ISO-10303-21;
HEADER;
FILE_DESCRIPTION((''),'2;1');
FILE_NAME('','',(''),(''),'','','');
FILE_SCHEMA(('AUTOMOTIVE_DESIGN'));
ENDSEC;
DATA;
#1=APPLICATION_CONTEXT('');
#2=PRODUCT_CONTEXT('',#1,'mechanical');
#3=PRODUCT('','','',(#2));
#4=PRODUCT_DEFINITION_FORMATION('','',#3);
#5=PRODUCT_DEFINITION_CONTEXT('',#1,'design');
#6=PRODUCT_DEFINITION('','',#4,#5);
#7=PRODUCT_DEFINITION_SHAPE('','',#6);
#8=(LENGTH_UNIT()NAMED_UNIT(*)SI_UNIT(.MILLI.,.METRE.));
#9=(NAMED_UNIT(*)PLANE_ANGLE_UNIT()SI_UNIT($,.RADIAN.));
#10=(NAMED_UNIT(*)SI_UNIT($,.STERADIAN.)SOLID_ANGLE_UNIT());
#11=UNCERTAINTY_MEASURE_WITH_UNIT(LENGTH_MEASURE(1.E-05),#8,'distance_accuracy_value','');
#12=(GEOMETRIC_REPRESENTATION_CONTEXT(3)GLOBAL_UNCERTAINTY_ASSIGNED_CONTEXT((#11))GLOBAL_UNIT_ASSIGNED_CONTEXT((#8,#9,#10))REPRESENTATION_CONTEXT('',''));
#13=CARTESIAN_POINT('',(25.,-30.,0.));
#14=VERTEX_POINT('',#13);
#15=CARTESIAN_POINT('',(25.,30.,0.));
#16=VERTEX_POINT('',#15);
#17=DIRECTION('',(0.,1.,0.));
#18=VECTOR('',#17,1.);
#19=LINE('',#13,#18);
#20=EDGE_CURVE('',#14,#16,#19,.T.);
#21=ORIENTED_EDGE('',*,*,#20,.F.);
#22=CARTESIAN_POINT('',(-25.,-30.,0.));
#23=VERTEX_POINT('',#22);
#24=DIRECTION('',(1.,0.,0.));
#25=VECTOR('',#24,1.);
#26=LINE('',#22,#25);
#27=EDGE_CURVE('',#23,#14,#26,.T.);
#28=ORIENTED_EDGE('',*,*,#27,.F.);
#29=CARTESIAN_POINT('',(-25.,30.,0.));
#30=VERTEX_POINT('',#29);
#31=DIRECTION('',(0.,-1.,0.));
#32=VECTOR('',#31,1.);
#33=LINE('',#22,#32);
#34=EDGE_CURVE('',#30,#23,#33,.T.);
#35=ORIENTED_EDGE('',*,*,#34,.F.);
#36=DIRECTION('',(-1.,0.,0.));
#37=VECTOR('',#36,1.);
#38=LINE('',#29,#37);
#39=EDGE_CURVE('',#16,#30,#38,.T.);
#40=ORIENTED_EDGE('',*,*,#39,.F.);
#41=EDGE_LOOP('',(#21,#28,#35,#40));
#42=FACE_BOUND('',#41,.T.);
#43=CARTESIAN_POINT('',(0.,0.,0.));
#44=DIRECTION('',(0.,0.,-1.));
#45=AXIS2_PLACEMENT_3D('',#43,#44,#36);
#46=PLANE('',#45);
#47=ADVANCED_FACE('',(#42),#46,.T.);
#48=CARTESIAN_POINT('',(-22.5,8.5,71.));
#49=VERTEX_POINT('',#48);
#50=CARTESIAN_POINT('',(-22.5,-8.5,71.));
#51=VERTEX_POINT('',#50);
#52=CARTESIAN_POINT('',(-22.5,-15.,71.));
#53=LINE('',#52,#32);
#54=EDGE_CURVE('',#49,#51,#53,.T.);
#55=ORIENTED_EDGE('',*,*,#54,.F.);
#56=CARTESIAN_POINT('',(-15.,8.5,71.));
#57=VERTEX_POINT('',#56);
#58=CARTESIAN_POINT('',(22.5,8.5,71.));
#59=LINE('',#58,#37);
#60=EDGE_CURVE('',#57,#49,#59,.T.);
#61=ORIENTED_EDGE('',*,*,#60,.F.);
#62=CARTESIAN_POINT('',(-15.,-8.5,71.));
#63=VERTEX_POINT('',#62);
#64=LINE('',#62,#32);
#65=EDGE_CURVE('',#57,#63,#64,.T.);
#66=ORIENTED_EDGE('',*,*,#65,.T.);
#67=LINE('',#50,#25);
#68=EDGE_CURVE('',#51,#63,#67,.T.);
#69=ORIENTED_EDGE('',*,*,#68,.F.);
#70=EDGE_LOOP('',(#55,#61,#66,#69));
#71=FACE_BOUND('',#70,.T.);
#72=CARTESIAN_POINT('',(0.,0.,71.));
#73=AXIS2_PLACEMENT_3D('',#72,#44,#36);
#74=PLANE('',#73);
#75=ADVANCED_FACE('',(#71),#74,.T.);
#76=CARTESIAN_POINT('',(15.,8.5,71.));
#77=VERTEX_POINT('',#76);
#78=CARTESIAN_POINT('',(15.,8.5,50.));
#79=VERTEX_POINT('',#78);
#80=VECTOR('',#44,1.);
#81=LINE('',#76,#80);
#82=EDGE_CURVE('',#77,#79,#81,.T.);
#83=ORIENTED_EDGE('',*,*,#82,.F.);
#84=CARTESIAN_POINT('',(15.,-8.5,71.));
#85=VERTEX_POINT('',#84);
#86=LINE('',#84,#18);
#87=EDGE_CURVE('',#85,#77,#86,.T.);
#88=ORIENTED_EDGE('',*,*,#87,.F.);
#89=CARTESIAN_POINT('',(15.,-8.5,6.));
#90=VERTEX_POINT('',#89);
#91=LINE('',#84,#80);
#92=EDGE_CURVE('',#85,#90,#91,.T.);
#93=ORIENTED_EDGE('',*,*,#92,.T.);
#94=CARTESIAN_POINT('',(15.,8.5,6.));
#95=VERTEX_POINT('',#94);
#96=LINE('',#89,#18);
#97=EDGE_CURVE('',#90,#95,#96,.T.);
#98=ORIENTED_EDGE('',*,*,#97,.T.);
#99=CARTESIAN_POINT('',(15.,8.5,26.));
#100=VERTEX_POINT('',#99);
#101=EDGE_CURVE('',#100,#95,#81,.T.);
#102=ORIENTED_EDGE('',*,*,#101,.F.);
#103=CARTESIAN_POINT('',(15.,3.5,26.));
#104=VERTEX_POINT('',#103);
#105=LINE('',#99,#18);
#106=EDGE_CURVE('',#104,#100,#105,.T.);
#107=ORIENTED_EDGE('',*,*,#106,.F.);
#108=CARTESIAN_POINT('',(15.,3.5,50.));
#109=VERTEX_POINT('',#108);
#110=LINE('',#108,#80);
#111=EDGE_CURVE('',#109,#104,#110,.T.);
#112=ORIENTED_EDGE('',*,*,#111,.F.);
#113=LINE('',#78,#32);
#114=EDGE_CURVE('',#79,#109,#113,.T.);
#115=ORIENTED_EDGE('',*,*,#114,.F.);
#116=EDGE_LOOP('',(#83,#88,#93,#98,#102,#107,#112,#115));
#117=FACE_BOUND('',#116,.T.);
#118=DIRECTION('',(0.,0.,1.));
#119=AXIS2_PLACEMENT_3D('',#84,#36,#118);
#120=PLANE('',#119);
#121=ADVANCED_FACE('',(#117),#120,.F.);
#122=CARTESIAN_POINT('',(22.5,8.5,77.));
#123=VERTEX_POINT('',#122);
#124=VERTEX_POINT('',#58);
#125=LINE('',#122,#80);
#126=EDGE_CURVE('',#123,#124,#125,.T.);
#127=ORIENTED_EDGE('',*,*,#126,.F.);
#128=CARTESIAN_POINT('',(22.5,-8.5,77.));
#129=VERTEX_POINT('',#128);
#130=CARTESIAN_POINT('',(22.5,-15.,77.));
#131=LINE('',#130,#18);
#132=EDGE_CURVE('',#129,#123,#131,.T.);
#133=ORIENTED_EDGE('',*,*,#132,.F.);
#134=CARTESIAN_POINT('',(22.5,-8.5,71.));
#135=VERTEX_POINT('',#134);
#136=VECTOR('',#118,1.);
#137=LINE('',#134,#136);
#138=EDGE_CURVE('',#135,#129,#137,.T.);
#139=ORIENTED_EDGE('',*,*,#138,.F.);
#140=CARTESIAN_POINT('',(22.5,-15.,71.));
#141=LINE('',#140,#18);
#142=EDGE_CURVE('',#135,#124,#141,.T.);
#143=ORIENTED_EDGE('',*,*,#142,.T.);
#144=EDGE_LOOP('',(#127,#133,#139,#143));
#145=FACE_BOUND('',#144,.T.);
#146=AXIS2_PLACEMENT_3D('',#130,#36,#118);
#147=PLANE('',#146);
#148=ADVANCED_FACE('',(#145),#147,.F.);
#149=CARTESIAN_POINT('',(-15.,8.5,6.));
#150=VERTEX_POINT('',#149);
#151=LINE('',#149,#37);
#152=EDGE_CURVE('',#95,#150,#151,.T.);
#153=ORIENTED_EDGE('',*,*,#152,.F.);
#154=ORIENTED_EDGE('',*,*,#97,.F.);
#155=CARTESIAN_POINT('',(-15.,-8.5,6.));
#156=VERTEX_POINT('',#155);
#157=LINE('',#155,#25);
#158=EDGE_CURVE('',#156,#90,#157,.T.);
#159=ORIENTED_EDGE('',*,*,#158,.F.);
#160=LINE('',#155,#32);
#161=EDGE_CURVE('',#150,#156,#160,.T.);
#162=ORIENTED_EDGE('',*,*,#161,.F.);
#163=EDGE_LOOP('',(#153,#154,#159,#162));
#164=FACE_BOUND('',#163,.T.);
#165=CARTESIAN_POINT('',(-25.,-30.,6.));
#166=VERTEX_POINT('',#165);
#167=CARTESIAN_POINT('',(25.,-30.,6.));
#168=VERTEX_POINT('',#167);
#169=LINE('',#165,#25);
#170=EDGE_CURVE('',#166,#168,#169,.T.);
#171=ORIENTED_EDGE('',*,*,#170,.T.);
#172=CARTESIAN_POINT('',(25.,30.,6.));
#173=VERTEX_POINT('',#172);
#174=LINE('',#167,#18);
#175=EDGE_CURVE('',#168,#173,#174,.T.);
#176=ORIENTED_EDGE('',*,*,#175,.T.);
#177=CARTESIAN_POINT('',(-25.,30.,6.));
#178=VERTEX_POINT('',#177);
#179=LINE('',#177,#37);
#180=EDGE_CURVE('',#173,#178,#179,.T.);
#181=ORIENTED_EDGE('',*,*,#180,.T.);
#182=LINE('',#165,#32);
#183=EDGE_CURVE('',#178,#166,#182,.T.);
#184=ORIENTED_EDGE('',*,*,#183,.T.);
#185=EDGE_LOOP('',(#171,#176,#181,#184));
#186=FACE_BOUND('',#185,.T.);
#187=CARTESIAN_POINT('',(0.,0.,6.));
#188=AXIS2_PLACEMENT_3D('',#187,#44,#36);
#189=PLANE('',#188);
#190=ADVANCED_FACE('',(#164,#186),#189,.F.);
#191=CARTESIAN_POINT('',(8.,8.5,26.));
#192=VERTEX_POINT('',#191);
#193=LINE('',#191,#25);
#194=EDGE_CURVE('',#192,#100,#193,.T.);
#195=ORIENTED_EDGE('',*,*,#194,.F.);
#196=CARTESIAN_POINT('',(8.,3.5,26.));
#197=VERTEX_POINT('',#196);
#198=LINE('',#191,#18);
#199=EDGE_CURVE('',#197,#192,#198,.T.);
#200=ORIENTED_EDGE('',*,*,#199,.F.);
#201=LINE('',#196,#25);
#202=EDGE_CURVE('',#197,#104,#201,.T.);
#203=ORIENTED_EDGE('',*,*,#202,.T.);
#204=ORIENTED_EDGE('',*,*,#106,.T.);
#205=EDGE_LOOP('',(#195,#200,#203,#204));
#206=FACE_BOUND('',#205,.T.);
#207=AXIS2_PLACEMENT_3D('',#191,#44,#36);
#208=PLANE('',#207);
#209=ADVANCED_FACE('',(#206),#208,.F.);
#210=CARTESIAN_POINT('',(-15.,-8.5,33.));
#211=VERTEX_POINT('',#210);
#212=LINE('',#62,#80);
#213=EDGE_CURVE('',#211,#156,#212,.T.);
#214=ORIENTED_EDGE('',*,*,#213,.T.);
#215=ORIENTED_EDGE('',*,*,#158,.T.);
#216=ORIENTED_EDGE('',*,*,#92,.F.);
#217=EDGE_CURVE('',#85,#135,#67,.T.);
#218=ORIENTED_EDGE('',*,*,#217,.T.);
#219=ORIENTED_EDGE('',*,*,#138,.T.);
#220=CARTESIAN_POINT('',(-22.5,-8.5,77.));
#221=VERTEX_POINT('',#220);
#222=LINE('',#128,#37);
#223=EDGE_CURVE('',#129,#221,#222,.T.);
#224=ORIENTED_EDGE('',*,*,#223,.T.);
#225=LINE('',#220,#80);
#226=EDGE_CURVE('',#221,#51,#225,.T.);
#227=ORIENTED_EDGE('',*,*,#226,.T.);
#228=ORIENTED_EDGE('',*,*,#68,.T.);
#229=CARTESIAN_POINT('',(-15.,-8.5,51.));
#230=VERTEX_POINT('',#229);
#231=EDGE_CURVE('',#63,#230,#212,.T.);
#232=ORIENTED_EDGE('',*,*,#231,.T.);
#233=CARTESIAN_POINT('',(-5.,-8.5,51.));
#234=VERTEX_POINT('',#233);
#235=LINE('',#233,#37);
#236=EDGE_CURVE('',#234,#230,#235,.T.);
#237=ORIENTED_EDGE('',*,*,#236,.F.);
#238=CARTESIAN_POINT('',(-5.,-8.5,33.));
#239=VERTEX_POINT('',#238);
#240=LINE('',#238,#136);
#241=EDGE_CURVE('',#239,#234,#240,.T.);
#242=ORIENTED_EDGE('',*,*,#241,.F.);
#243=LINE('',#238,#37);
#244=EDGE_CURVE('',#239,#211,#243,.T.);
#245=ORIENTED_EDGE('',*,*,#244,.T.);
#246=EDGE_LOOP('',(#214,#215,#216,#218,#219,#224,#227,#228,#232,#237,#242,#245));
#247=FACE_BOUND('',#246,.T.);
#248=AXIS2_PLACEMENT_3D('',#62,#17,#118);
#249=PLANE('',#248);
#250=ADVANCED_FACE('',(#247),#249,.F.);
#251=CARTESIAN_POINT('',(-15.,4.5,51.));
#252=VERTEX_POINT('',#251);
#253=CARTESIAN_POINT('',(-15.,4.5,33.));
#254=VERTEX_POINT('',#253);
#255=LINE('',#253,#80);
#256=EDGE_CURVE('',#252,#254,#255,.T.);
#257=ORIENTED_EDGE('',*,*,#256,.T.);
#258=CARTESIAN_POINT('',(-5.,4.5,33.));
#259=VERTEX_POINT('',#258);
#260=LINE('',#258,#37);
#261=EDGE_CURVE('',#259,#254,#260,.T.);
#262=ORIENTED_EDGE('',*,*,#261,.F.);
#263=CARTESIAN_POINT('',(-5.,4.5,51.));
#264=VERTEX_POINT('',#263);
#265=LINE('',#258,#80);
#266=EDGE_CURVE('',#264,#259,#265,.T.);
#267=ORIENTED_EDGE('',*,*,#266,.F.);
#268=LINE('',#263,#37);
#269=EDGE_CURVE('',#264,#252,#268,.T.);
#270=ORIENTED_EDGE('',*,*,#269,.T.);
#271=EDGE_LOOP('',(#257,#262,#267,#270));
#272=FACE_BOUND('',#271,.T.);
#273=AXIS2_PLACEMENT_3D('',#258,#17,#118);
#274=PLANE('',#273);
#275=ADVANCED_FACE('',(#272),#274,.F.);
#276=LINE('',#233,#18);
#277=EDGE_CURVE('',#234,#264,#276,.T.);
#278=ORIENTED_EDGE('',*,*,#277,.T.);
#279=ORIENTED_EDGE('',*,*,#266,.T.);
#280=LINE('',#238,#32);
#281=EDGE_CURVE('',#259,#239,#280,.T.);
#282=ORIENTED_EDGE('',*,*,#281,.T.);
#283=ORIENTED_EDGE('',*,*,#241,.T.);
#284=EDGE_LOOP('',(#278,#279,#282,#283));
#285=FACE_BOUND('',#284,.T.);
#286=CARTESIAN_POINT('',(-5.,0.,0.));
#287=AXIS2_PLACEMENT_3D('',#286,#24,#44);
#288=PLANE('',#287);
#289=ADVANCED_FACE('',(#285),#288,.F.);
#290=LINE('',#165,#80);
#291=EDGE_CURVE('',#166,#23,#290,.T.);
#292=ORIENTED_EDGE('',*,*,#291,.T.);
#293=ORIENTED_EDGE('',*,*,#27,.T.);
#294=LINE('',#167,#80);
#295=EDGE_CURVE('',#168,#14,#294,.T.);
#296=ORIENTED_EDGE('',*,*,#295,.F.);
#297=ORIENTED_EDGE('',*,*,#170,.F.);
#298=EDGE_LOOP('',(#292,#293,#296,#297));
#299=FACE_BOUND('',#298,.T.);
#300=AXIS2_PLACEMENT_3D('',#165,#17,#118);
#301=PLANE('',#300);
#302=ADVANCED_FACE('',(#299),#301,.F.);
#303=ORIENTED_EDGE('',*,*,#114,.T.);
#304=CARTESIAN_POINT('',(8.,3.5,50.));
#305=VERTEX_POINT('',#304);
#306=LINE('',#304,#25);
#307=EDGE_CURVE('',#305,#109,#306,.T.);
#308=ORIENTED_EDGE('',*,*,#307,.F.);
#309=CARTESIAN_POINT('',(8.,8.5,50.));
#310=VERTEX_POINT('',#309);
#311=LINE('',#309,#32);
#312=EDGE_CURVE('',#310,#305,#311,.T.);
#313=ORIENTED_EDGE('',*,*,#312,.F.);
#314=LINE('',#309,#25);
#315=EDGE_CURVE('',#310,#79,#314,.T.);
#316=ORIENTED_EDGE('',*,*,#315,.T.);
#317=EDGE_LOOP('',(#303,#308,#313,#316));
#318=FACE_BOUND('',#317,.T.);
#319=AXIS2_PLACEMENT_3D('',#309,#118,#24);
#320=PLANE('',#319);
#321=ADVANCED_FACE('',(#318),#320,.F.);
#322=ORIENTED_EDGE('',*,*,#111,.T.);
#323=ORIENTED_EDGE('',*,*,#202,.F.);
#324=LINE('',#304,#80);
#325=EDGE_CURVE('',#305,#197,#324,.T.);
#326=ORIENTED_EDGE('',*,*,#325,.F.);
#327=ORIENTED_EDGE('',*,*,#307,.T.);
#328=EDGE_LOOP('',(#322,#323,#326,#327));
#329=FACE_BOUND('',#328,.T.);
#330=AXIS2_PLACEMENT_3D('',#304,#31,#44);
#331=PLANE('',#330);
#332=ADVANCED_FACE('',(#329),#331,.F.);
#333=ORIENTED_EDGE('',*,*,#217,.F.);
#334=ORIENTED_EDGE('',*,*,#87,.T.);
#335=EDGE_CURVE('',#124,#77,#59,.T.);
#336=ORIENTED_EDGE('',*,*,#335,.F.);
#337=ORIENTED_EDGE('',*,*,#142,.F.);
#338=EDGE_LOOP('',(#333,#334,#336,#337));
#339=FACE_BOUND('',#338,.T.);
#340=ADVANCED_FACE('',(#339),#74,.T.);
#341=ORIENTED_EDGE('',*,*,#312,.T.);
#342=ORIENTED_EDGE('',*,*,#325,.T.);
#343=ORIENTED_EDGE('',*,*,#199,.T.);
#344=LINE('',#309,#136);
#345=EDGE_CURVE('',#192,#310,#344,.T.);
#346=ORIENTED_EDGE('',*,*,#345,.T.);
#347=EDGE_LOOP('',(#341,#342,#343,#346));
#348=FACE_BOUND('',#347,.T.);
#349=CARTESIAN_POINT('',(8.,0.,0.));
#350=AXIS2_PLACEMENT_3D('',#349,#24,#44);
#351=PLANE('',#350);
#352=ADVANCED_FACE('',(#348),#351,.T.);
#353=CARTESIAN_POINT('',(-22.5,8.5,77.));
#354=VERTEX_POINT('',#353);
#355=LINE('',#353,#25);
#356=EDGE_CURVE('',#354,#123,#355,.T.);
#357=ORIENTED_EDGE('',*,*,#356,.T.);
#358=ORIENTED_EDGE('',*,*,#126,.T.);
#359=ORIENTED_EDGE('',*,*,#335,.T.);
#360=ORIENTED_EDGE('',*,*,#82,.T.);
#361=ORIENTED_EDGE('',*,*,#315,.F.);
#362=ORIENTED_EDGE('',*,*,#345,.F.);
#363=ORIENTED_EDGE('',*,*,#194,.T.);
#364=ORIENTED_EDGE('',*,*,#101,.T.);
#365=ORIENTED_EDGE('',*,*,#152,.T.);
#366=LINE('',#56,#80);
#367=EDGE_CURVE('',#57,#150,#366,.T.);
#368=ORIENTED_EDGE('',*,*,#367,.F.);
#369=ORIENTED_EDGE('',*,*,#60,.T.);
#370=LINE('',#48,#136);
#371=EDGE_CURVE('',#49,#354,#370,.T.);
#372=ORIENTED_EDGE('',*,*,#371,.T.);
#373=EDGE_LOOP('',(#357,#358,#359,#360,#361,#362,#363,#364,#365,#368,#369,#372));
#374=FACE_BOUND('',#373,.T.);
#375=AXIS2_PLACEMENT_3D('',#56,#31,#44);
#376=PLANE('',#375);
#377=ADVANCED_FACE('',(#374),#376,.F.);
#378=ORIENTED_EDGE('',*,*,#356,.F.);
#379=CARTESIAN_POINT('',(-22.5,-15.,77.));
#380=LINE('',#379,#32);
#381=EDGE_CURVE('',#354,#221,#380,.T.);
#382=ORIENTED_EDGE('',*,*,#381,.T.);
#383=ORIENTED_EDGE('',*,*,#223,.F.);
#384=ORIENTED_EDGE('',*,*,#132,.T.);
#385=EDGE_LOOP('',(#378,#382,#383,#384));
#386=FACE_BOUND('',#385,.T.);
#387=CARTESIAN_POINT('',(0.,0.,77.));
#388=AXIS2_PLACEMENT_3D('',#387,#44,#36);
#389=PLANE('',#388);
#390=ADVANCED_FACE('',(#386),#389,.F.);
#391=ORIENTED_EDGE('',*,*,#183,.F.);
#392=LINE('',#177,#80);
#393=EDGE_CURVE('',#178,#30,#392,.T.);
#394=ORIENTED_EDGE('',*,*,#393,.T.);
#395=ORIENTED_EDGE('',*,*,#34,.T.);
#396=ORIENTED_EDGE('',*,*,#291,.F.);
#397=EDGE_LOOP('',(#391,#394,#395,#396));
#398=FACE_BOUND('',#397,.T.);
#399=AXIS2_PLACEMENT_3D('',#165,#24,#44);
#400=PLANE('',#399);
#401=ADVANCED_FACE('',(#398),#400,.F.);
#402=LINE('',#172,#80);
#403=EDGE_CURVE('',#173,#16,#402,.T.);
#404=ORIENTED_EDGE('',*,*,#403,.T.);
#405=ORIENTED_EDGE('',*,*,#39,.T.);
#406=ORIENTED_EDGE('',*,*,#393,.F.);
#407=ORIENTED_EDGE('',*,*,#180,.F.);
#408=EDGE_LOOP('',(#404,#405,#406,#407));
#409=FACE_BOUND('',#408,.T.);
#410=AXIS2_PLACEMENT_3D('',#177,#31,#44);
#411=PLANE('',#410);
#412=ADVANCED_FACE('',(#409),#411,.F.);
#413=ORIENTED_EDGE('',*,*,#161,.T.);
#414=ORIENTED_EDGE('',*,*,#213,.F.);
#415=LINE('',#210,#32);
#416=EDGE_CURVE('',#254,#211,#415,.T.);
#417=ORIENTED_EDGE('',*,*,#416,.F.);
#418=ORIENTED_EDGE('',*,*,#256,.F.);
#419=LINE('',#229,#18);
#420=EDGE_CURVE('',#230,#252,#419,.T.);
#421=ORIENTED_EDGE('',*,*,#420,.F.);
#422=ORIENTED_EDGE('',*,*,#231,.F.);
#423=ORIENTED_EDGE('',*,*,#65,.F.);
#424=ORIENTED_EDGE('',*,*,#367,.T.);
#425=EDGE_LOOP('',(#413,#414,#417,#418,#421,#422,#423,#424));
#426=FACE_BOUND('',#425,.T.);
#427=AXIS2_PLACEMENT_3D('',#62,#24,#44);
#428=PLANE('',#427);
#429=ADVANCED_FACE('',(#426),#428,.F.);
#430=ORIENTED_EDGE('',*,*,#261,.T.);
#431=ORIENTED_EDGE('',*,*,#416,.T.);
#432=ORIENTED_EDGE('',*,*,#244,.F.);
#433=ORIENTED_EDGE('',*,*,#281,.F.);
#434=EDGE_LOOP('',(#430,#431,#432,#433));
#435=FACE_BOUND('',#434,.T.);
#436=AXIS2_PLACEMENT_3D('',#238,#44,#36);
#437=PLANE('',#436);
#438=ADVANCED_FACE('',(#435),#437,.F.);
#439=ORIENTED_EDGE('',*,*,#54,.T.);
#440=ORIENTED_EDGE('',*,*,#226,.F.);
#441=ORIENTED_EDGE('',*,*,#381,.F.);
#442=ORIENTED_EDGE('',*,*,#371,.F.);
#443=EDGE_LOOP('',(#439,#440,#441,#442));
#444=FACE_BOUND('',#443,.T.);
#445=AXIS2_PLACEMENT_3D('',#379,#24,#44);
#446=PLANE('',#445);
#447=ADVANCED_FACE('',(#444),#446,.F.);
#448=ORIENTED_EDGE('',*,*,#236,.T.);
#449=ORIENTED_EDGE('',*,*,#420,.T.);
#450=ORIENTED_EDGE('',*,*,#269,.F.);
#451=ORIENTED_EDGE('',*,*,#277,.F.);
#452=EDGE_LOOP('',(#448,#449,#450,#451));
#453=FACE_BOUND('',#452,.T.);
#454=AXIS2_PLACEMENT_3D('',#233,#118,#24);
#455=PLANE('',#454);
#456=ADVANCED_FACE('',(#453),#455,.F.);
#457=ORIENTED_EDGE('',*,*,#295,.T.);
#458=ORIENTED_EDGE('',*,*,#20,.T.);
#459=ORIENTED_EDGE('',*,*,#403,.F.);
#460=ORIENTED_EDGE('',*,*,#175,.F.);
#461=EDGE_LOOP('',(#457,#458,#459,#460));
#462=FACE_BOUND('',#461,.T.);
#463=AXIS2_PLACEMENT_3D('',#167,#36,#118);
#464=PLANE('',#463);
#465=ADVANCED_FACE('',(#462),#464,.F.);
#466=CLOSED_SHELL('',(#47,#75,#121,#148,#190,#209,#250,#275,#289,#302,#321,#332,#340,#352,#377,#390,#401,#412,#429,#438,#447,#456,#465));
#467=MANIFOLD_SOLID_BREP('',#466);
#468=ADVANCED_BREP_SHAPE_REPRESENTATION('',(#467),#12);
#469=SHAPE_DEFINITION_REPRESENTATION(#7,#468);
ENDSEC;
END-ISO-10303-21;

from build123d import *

# Parameters (mm, degrees)
SKETCH_1_W          = 50
SKETCH_1_H          = 60
EXTRUDE_1_DEPTH     = 6
SKETCH_2_W          = 30
SKETCH_2_H          = 17
EXTRUDE_2_DEPTH     = 65
SKETCH_3_W          = 45
SKETCH_3_H          = 30
EXTRUDE_3_DEPTH     = 6
SKETCH_4_W          = 18
SKETCH_4_H          = 13
CUT_EXTRUDE_1_DEPTH = 10
SKETCH_5_W          = 24
SKETCH_5_H          = 5
CUT_EXTRUDE_2_DEPTH = 7
SKETCH_6_W          = 45
SKETCH_6_H          = 6
CUT_EXTRUDE_3_DEPTH = 6.5
SKETCH_7_W          = 45
SKETCH_7_H          = 6
CUT_EXTRUDE_4_DEPTH = 6.5


with BuildPart() as part:
    # Эскиз1 → Бобышка-Вытянуть1 (new body)
    with BuildSketch(Plane.XY):
        Rectangle(SKETCH_1_W, SKETCH_1_H)
    extrude(amount=EXTRUDE_1_DEPTH)

    # Эскиз2 → Бобышка-Вытянуть2 (add)
    with BuildSketch(Plane.XY.offset(6)):
        Rectangle(SKETCH_2_W, SKETCH_2_H)
    extrude(amount=EXTRUDE_2_DEPTH)

    # Эскиз3 → Бобышка-Вытянуть3 (add)
    with BuildSketch(Plane.XY.offset(71)):
        Rectangle(SKETCH_3_W, SKETCH_3_H)
    extrude(amount=EXTRUDE_3_DEPTH)

    # Эскиз4 → Вырез-Вытянуть1 (cut)
    with BuildSketch(Plane.ZY.offset(15)):
        with Locations((42, -2)):
            Rectangle(SKETCH_4_W, SKETCH_4_H)
    extrude(amount=-CUT_EXTRUDE_1_DEPTH, mode=Mode.SUBTRACT)

    # Эскиз5 → Вырез-Вытянуть2 (cut)
    with BuildSketch(Plane(origin=(15, 0, 0), x_dir=(0, 0, -1), z_dir=(1, 0, 0))):
        with Locations((-38, 6)):
            Rectangle(SKETCH_5_W, SKETCH_5_H)
    extrude(amount=-CUT_EXTRUDE_2_DEPTH, mode=Mode.SUBTRACT)

    # Эскиз6 → Вырез-Вытянуть3 (cut)
    with BuildSketch(Plane(origin=(0, 15, 0), x_dir=(1, 0, 0), z_dir=(0, 1, 0))):
        with Locations((0, -74)):
            Rectangle(SKETCH_6_W, SKETCH_6_H)
    extrude(amount=-CUT_EXTRUDE_3_DEPTH, mode=Mode.SUBTRACT)

    # Эскиз7 → Вырез-Вытянуть4 (cut)
    with BuildSketch(Plane.XZ.offset(15)):
        with Locations((0, 74)):
            Rectangle(SKETCH_7_W, SKETCH_7_H)
    extrude(amount=-CUT_EXTRUDE_4_DEPTH, mode=Mode.SUBTRACT)


solid = part.part
